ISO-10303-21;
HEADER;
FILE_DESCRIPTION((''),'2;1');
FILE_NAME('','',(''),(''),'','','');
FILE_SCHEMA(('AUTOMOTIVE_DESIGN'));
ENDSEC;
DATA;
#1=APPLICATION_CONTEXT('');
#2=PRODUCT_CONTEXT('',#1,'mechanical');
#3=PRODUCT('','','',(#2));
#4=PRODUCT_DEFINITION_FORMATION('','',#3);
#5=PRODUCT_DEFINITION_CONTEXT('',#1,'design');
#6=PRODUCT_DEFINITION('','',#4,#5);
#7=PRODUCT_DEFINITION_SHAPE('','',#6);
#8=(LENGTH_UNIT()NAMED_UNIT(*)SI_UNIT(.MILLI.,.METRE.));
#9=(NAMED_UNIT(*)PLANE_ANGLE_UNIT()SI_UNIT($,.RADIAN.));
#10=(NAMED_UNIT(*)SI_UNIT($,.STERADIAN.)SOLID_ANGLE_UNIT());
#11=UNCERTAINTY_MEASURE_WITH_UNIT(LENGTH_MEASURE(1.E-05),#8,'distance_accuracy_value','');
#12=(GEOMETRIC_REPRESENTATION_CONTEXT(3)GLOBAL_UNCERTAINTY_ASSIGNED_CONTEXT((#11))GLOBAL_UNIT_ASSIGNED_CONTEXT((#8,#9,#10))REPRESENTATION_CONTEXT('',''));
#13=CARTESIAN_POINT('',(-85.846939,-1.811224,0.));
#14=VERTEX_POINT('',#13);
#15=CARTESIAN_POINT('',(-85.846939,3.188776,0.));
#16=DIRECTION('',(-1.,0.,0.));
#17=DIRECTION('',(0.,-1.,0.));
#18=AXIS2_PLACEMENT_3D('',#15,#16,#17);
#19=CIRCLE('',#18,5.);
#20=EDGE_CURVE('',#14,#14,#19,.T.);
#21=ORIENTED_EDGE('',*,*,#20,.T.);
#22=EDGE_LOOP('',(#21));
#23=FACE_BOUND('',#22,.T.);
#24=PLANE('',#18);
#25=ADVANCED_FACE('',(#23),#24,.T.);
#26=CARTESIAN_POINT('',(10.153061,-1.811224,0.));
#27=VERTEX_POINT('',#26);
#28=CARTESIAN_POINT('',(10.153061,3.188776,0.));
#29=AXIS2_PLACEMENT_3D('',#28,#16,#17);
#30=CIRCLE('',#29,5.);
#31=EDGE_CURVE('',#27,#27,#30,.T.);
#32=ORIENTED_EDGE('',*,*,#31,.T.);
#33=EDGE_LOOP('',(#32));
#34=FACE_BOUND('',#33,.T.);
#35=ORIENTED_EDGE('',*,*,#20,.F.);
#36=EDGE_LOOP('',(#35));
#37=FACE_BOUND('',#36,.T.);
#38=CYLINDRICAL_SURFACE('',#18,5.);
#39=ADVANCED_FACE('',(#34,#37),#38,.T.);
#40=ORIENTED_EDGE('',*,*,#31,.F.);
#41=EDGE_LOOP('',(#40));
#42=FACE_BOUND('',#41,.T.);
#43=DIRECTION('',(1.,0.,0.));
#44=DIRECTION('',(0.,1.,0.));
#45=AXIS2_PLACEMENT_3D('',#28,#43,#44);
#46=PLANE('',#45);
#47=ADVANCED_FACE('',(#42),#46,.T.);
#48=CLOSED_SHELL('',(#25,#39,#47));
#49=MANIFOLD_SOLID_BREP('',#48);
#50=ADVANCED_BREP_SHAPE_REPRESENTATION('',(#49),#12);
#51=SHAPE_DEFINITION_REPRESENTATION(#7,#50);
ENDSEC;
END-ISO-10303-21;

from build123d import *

# Parameters (mm, degrees)
SKETCH2_W = 96
SKETCH2_H = 5


with BuildPart() as part:
    # Sketch2 → Revolve1 (revolve)
    with BuildSketch(Plane.XY):
        with Locations((-37.846938776, 0.68877551)):
            Rectangle(SKETCH2_W, SKETCH2_H)
    revolve(axis=Axis((-85.846938776, 3.18877551, 0), (1, 0, 0)))


solid = part.part
